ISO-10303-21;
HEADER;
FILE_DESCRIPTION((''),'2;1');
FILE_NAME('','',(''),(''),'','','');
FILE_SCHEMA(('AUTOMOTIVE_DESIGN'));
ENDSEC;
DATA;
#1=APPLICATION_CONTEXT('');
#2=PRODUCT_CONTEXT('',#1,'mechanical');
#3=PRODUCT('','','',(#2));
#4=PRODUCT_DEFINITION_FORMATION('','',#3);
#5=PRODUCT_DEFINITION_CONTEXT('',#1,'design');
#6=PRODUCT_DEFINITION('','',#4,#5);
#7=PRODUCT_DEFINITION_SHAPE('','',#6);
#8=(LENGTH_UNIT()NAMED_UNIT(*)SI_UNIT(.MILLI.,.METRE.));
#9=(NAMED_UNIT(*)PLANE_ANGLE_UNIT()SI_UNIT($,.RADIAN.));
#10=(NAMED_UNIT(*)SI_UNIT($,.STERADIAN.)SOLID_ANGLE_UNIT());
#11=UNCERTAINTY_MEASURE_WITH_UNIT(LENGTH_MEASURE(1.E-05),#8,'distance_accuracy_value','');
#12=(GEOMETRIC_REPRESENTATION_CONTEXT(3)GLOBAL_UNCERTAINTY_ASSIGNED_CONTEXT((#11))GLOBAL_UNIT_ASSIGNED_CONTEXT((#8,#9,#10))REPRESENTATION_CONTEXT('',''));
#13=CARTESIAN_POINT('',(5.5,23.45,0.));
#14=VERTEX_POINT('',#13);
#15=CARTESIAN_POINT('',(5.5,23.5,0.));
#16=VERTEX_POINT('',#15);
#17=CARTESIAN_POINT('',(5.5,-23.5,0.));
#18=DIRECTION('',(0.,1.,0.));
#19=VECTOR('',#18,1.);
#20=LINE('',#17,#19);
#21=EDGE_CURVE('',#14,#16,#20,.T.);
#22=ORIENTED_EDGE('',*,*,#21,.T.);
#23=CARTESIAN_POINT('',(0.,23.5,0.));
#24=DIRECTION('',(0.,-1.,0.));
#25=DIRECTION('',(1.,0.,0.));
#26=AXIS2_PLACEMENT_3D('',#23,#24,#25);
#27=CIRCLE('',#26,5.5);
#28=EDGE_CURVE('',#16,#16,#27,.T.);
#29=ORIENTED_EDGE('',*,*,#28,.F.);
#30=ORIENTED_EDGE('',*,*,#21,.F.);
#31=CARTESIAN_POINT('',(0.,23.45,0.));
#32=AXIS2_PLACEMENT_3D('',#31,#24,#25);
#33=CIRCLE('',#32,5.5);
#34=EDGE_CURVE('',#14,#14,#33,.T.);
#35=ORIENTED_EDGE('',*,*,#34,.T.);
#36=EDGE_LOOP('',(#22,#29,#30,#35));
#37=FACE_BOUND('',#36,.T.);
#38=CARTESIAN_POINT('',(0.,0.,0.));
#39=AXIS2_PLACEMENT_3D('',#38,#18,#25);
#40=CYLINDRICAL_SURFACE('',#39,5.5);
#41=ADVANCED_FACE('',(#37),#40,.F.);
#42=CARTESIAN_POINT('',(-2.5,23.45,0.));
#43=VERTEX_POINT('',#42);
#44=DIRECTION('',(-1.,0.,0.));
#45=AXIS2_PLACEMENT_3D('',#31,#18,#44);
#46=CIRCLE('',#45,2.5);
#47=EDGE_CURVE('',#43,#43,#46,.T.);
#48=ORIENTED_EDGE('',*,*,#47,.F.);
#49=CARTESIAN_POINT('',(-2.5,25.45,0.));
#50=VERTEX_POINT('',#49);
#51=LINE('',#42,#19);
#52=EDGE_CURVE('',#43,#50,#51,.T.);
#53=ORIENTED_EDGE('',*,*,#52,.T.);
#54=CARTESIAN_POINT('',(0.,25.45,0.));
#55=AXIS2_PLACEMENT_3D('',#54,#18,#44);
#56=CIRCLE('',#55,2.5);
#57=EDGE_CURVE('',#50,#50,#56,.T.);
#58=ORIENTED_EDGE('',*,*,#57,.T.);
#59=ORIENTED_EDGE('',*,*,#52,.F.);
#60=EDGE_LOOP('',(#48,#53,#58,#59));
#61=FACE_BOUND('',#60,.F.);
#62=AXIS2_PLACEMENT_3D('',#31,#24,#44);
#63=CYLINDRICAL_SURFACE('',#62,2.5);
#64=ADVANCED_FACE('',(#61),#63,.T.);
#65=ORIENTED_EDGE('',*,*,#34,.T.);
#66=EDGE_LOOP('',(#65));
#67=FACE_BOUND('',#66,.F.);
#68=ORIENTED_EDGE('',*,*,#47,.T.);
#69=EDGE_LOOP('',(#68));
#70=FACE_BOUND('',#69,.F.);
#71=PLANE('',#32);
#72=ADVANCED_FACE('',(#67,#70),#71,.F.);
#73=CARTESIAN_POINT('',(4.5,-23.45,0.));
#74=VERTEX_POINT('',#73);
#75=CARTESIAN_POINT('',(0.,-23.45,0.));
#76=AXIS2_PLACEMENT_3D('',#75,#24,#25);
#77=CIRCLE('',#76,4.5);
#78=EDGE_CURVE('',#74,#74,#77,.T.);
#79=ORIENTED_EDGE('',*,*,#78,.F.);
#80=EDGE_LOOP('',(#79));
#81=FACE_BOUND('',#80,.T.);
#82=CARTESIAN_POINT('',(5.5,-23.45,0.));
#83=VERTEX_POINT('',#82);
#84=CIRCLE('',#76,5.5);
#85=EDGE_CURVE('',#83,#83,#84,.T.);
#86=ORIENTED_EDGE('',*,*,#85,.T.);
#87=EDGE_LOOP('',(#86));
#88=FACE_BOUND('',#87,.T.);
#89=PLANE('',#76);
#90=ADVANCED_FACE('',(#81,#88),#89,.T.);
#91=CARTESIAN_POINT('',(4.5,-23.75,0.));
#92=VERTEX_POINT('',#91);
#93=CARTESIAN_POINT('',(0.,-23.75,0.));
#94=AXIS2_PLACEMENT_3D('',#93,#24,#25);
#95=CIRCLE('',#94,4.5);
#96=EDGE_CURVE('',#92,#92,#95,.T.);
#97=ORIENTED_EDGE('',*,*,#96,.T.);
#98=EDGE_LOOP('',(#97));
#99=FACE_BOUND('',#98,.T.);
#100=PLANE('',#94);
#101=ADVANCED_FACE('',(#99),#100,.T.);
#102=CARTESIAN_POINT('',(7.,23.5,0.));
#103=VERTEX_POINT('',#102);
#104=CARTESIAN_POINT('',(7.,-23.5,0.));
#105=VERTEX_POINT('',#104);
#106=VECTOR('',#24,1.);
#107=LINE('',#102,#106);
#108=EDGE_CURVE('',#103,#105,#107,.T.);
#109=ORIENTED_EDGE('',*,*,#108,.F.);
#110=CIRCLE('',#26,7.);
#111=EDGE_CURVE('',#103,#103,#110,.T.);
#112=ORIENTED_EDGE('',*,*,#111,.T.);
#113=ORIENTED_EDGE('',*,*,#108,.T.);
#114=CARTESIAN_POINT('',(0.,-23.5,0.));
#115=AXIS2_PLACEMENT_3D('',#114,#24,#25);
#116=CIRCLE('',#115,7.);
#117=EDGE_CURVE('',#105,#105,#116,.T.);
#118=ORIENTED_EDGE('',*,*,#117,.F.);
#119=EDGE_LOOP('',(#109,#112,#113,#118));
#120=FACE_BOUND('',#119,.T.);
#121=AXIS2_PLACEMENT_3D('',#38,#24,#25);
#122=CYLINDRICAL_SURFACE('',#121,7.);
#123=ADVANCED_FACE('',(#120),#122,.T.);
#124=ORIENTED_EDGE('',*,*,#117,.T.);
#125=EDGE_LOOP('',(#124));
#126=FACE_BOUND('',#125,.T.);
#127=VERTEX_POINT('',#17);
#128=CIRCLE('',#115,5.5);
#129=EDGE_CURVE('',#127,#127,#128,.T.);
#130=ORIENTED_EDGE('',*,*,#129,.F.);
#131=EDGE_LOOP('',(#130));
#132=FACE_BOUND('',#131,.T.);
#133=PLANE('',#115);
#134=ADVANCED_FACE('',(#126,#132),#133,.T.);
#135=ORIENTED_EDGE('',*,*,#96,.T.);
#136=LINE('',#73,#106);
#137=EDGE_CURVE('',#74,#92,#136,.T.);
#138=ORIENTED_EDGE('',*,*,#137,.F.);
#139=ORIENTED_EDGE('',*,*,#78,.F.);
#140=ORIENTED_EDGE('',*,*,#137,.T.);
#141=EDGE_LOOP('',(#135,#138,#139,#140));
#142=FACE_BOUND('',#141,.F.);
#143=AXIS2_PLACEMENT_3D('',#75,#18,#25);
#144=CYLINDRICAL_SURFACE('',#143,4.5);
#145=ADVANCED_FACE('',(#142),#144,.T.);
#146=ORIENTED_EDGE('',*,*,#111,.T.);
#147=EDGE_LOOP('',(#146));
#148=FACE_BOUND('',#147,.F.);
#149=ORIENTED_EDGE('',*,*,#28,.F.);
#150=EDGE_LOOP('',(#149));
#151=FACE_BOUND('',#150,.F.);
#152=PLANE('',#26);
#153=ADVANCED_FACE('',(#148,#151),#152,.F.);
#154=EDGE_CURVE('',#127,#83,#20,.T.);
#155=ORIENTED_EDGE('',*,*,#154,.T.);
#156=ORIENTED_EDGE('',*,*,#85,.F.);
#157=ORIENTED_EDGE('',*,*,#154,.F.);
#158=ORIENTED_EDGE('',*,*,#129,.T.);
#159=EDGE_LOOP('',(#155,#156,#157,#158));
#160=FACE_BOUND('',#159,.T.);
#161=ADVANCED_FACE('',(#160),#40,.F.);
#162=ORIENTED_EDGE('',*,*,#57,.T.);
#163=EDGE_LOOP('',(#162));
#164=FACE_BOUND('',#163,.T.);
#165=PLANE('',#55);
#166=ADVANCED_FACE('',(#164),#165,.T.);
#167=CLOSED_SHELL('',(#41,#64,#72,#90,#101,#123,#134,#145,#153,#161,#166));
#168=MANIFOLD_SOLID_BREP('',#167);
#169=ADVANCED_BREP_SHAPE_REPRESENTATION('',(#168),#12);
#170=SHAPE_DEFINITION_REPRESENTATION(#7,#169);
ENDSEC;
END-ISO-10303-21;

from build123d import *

# Parameters (mm, degrees)
F0_R     = 7
F0_R_2   = 5.5
F1_DEPTH = 23.5
F2_DEPTH = 23.45
F3_R     = 4.5
F4_DEPTH = 0.3
F5_R     = 2.5
F6_DEPTH = 2


with BuildPart() as f1:
    # F0 (on Front) → F1 (new body, symmetric)
    with BuildSketch(Plane.XZ):
        Circle(F0_R)
        Circle(F0_R_2, mode=Mode.SUBTRACT)
    extrude(amount=F1_DEPTH, both=True)

    # F0 (on Front) → F2 (join, symmetric)
    with BuildSketch(Plane.XZ):
        Circle(F0_R_2)
    extrude(amount=F2_DEPTH, both=True)

    # F3 (on face) → F4 (join)
    with BuildSketch(Plane.XZ.offset(23.45)):
        Circle(F3_R)
    extrude(amount=F4_DEPTH)

    # F5 (on face) → F6 (join)
    with BuildSketch(Plane(origin=(0, 23.45, 0), x_dir=(-1, 0, 0), z_dir=(0, 1, 0))):
        Circle(F5_R)
    extrude(amount=F6_DEPTH)


solid = f1.part
